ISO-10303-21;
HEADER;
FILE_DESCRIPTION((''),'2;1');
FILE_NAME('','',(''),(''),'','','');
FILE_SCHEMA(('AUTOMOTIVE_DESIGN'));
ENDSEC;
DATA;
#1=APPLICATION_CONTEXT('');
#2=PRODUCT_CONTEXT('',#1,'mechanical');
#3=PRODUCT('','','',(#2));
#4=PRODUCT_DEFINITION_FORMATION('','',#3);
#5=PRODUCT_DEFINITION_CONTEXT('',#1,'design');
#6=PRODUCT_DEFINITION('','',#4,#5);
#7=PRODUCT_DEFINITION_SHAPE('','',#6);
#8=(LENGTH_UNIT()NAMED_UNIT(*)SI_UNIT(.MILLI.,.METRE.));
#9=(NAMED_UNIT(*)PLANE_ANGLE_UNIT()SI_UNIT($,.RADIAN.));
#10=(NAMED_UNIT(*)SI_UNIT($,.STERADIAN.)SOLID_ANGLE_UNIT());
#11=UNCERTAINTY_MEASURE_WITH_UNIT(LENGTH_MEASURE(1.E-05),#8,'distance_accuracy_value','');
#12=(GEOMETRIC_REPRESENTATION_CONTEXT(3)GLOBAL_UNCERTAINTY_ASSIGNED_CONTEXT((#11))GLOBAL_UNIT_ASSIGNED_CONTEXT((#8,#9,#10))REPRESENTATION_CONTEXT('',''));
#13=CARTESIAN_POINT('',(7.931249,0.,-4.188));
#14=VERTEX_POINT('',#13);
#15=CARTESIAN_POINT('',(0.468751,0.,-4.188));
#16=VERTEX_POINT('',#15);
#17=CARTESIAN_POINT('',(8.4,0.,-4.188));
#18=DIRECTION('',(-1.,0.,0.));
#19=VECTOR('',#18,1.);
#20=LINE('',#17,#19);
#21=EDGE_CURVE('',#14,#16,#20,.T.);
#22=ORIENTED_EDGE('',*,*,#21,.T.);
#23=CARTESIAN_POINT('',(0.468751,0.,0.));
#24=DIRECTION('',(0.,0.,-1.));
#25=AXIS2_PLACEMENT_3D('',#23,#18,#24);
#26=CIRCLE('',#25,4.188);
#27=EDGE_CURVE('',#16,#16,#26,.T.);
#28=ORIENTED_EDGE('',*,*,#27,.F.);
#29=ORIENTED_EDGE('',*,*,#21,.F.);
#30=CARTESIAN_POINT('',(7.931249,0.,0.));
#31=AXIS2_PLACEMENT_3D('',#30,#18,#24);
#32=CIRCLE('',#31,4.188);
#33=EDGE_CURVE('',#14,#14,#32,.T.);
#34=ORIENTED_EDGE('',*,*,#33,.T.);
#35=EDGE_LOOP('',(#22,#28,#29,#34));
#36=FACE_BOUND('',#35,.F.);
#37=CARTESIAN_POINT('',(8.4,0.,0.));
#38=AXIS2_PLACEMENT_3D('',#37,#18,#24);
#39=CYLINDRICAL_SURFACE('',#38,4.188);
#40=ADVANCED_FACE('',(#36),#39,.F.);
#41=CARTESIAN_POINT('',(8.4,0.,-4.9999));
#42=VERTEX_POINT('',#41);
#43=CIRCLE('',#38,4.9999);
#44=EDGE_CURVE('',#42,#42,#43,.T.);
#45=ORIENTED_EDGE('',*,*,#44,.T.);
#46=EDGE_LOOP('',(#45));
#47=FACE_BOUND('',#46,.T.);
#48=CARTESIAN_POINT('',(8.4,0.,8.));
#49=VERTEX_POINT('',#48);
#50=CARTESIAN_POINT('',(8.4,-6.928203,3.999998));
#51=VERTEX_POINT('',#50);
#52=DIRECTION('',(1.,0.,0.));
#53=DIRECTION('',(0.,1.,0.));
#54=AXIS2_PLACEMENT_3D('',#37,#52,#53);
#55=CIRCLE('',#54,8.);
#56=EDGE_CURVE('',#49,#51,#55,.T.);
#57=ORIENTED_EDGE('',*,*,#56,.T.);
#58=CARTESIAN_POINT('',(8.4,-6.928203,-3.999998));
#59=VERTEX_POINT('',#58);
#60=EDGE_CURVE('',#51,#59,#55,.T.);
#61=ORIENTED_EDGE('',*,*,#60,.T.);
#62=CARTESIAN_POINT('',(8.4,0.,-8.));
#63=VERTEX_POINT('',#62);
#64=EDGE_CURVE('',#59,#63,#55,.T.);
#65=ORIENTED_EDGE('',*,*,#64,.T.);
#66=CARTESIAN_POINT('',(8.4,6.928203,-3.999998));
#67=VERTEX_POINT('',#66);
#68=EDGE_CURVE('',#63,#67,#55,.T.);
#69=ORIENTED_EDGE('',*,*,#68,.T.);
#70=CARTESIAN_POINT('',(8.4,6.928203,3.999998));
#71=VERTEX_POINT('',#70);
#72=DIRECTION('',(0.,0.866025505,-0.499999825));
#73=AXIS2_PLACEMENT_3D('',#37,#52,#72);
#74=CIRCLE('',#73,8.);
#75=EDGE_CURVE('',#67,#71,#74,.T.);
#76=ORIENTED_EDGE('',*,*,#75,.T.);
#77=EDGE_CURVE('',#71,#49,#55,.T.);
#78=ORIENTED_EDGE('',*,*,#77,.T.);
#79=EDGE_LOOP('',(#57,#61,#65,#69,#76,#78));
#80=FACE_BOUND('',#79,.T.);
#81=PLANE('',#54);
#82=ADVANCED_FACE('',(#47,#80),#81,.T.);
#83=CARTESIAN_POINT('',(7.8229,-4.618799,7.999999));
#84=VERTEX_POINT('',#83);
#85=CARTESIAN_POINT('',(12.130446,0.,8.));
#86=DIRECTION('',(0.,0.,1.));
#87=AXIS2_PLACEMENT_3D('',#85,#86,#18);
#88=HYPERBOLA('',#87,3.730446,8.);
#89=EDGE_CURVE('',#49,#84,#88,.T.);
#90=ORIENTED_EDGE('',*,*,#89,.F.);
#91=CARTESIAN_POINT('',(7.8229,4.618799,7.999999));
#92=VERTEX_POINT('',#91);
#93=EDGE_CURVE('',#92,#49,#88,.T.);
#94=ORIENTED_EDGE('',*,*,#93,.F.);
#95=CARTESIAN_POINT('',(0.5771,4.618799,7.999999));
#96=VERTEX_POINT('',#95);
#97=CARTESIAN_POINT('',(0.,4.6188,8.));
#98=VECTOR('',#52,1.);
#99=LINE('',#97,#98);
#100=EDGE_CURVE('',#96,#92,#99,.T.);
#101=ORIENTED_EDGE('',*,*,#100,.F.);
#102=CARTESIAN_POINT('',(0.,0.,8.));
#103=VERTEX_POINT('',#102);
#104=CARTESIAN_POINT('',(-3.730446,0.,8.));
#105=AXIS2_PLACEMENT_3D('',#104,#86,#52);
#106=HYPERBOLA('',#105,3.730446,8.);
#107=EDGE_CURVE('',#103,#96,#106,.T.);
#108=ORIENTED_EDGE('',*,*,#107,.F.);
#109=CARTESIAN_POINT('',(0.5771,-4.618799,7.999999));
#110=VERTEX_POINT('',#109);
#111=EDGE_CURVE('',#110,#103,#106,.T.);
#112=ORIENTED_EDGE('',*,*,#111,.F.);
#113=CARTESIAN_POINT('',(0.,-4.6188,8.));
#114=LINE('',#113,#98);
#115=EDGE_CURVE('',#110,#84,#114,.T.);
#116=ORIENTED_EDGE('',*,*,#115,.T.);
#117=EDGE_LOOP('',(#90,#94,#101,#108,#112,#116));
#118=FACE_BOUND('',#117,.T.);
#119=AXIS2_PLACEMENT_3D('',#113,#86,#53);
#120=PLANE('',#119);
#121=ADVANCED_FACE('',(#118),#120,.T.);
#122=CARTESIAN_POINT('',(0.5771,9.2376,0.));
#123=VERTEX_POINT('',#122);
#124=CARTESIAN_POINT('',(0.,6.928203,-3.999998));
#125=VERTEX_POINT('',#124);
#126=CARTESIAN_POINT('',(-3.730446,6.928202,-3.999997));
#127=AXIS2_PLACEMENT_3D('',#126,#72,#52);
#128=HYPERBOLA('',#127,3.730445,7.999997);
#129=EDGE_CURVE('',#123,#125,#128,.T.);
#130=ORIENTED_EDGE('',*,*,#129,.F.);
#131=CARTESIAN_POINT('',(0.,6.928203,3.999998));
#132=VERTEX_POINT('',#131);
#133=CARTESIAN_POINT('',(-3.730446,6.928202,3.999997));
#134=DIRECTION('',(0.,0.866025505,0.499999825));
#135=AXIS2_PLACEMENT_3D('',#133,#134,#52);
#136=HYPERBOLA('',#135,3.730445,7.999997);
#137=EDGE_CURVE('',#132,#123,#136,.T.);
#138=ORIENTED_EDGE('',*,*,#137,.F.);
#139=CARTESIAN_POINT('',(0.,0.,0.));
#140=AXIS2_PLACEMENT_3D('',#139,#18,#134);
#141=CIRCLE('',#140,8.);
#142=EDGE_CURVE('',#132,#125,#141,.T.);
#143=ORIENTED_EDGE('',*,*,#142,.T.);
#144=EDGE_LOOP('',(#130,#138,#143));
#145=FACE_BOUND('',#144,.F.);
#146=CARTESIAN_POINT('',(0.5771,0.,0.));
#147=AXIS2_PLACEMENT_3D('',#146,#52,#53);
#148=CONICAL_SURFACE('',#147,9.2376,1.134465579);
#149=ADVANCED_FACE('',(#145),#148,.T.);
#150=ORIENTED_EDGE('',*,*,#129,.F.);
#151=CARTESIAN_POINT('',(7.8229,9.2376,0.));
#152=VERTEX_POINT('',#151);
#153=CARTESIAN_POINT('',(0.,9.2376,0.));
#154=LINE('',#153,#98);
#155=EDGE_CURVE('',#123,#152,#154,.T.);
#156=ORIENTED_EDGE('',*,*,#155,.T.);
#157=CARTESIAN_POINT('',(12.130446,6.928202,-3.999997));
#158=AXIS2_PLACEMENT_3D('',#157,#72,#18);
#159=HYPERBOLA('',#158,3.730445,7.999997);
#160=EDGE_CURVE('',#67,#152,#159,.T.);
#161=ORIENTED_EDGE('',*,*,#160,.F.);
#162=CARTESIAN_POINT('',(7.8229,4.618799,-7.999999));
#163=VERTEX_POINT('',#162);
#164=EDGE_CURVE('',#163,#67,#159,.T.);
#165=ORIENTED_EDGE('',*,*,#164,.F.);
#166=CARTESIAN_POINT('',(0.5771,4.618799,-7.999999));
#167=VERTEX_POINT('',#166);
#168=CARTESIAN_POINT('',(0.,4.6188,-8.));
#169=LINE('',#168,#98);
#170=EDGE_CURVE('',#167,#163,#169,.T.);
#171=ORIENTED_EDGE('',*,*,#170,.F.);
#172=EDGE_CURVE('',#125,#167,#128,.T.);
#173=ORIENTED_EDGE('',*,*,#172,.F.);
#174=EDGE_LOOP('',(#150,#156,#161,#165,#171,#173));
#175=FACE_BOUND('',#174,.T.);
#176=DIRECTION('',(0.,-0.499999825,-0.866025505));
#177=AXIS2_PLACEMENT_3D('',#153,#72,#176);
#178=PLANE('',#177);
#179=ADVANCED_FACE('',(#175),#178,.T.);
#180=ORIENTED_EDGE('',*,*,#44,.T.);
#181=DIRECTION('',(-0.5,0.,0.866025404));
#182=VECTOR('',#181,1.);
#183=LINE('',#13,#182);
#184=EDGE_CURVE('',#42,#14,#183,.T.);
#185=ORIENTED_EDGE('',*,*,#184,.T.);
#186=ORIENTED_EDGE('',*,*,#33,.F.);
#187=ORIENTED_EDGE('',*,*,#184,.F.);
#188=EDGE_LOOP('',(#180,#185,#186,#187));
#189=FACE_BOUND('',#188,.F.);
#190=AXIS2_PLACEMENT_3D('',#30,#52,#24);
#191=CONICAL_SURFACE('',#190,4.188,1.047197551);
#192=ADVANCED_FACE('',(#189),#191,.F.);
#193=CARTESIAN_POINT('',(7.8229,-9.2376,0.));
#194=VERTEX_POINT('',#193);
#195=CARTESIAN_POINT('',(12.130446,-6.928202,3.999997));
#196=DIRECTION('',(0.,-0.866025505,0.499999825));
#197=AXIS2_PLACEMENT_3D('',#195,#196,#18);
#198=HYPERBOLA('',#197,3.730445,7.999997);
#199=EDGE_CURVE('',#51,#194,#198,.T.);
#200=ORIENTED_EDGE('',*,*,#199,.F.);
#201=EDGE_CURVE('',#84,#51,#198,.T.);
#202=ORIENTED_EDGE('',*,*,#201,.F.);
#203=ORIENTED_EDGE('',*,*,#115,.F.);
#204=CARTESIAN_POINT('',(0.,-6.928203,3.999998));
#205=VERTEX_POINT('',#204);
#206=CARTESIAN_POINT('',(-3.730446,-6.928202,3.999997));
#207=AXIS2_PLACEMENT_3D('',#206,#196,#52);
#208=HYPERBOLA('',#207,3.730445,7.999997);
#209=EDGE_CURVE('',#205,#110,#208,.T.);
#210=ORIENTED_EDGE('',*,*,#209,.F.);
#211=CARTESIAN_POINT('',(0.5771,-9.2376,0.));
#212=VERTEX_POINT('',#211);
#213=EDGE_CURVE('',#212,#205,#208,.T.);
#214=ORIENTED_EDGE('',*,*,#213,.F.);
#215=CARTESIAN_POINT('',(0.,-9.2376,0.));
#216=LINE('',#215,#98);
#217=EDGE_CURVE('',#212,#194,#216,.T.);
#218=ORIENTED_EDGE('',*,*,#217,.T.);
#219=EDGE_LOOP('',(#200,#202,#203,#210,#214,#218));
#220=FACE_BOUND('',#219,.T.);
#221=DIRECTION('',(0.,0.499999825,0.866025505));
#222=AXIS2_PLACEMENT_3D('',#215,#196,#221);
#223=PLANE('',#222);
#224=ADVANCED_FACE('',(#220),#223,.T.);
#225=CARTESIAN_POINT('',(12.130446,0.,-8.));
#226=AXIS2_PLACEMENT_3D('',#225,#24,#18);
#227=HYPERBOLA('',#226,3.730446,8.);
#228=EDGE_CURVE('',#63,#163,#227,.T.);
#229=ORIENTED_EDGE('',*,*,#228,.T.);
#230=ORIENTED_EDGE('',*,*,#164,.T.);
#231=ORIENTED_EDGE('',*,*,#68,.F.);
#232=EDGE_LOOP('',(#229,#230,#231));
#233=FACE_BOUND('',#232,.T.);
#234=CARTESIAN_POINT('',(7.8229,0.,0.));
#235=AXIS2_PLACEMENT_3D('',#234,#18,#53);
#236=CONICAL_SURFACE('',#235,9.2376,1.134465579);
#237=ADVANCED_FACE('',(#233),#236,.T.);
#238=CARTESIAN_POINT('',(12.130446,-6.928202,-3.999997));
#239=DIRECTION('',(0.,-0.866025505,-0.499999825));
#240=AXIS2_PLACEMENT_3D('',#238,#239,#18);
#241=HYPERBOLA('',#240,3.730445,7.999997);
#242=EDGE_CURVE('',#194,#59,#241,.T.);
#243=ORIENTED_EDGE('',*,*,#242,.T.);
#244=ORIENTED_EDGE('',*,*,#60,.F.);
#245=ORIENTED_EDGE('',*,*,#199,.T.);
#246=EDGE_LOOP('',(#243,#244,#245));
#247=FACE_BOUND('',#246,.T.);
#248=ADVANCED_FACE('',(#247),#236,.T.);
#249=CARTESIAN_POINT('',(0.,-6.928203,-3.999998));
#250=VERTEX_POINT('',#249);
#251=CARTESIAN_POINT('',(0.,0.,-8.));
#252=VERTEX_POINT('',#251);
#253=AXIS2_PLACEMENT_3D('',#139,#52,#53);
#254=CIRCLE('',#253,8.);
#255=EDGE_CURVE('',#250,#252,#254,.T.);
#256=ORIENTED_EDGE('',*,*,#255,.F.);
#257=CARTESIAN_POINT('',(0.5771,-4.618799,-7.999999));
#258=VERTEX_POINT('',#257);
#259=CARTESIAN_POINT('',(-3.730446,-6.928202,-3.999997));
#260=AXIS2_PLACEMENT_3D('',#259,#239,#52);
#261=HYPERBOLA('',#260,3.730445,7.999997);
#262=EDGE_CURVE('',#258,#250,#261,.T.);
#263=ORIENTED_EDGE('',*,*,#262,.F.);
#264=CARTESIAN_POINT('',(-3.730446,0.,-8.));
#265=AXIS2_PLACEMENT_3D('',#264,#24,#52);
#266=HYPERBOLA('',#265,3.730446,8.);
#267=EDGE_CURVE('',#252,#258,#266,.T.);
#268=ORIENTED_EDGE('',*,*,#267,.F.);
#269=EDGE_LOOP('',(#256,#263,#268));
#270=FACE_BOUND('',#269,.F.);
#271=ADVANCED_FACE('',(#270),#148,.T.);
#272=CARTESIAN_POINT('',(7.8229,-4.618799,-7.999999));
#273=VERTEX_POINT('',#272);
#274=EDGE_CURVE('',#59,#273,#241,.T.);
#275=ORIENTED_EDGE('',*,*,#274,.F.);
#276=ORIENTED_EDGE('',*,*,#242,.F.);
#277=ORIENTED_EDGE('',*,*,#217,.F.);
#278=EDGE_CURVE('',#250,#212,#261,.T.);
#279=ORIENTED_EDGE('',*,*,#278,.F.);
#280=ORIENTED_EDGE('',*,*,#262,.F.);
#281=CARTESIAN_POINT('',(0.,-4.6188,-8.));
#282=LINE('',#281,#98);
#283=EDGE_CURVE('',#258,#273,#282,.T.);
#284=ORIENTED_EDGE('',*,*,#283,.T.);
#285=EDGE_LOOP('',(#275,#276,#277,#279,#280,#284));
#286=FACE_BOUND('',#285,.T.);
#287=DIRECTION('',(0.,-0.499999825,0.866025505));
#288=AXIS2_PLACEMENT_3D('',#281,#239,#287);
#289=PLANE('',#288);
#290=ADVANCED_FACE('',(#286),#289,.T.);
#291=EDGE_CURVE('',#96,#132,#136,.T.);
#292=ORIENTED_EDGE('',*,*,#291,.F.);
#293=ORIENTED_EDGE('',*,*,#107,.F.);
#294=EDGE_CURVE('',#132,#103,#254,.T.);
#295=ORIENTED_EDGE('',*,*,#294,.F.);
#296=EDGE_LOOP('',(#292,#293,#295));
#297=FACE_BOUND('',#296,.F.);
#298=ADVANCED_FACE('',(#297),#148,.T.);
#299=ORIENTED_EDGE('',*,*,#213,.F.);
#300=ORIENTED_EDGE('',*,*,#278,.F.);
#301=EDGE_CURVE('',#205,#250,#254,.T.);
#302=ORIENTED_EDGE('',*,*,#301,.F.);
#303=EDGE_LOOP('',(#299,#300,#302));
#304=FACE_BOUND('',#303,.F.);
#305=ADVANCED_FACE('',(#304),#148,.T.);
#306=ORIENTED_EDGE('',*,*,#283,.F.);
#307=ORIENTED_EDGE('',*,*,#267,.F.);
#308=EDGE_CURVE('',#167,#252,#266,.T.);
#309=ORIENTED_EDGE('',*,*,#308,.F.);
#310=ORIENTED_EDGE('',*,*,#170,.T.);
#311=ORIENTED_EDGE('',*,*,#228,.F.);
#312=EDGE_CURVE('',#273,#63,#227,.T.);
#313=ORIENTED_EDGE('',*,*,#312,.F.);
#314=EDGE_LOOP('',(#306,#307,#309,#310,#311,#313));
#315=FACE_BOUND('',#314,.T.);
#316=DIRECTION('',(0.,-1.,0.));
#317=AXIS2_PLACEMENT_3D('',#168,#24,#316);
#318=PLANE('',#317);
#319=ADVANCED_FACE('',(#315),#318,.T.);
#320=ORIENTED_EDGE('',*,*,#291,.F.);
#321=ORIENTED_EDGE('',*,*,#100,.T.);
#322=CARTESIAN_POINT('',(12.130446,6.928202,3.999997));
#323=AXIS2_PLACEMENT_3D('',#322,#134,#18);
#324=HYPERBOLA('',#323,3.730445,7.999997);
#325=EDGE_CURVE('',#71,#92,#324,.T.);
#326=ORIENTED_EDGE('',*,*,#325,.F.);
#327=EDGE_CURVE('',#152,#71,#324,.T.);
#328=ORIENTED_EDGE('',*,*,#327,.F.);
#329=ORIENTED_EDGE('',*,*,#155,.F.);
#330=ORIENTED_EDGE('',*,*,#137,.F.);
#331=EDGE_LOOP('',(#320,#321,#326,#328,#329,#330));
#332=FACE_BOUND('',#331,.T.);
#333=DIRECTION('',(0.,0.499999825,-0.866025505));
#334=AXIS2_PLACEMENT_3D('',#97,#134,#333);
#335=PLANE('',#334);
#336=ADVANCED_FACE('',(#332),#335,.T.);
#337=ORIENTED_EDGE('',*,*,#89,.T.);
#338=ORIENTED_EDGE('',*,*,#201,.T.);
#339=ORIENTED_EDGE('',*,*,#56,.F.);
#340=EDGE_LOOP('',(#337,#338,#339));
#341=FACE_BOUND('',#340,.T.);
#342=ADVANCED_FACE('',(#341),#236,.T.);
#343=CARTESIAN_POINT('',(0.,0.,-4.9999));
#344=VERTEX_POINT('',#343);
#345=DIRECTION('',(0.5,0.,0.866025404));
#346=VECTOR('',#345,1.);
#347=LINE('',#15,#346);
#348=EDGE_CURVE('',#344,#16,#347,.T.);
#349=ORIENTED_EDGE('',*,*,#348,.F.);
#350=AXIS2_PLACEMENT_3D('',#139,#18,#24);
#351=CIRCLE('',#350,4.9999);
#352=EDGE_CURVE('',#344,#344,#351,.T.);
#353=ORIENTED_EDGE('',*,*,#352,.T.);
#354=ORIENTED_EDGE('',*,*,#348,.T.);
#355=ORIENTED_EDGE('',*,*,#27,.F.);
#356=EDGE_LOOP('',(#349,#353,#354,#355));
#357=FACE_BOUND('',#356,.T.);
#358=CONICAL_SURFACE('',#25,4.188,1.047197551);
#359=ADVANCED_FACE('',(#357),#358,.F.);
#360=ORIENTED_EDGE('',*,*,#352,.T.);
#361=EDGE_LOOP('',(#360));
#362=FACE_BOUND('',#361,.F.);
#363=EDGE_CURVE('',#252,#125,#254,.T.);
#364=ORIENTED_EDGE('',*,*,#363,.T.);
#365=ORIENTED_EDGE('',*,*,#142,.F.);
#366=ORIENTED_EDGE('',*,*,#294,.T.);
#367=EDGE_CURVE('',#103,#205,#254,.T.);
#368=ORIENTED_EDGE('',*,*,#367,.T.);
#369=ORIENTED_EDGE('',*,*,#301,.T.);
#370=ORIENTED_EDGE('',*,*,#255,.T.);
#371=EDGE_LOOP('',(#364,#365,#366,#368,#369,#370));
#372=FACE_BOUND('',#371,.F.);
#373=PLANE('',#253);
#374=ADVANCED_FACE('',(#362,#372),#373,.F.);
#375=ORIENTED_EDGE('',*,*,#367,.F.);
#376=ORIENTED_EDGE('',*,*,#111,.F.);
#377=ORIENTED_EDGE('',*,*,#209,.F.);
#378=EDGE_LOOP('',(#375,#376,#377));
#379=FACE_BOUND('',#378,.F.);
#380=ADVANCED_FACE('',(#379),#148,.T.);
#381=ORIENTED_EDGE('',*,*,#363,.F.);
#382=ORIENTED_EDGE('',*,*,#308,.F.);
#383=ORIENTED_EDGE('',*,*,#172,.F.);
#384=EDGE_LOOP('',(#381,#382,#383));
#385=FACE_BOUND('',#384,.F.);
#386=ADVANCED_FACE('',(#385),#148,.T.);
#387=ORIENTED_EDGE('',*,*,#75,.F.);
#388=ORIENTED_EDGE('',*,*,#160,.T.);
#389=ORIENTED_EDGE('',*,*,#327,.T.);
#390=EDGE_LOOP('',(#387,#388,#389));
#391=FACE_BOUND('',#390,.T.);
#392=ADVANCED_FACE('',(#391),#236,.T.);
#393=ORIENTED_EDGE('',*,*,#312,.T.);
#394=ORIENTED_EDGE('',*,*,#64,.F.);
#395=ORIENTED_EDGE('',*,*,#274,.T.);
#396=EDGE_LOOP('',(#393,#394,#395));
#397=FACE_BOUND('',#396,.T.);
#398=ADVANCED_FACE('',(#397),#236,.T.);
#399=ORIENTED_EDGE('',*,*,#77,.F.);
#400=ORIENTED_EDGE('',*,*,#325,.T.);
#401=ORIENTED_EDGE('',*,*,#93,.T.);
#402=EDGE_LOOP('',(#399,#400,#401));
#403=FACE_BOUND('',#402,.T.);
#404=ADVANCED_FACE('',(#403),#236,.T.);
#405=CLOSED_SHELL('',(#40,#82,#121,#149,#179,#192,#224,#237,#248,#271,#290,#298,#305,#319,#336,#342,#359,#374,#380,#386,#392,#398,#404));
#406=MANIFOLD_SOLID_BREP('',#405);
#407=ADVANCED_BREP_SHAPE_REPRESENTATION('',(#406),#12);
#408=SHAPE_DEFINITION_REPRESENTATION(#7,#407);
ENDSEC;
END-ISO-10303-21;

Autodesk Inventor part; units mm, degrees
ref_plane "YZ Plane" through (0, 0, 0) normal (1, 0, 0) x (0, 1, 0)
ref_plane "XZ Plane" through (0, 0, 0) normal (0, 1, 0) x (-1, 0, 0)
sketch "Эскиз1" plane through (0, 0, 0) normal (1, 0, 0) x (0, 1, 0)
  line L0 (-9.2376, 0) -> (-4.6188, 8)
  line L1 (-4.6188, 8) -> (4.6188, 8)
  line L2 (4.6188, 8) -> (9.2376, 0)
  line L3 (9.2376, 0) -> (4.6188, -8)
  line L4 (4.6188, -8) -> (-4.6188, -8)
  line L5 (-4.6188, -8) -> (-9.2376, 0)
  point P0 (0, 0)
  point P1 (0, 0)
  dimension "d0" = 18.4752
extrude "Базовый элемент" add sketch "Эскиз1" along normal blind 8.4
sketch "Эскиз2" plane through (0, 0, 0) normal (0, 0, 1) x (1, 0, 0)
  line L0 (0, 4.6188) -> (0, 9.2376) projected
  line L1 (0, 9.2376) -> (8.4, 9.2376) projected
  line L2 (8.4, 4.6188) -> (8.4, 9.2376) projected
  line L3 (-1.68, 0) -> (10.08, 0) projected
  line L4 (0.5771, 9.2376) -> (0, 8)
  line L5 (7.8229, 9.2376) -> (8.4, 8)
  dimension "d3" = 25
  dimension "d4" = 25
  dimension "d5" = 16
  dimension "d6" = 16
revolve "Фаска1" cut sketch "Эскиз2" angle 360 about axis through (-10, 0, 0) along (1, 0, 0)
sketch "Эскиз3" plane through (8.4, 0, 0) normal (1, 0, 0) x (0, 0, -1)
  arc A0 (-4, -6.9282) -> (4, -6.9282) centre (0, 0) ccw projected
hole "Резьба" at (8.4, 0, 0) direction (-1, 0, 0) diameter 8.376 end through all thread size "M10x1.5" class "6H" standard "ANSI Metric M Profile"
chamfer "Фаска2" distance 0.8119 angle 30 1 edges at (8.4, 0, 4.188) measured on face at (8.4, 6.6899, -0.1683)
chamfer "Фаска3" distance 0.8119 angle 30 1 edges at (0, 0, 4.188) measured on face at (0, 6.6899, -0.1683)
ref_plane "Work Plane1" through (-17.4436, 0, 0) normal (0, -0.866, -0.5) x (1, 0, 0)
equation "\"d0\" = 1.1547 * SW"
equation "\"d1\" = KOH"
equation "\"d3\" = ANG1"
equation "\"d4\" = ANG2"
equation "\"d5\" = SW0"
equation "\"d6\" = SW01"
equation "\"d8\" = -0.5 * GD1 + 0.5 * NND"
equation "\"d40\" = -0.5 * GD1 + 0.5 * NND"
equation "\"d10\" = -0.5 * GD1 + 0.5 * NND"
equation "\"d41\" = -0.5 * GD1 + 0.5 * NND"
equation "\"ANG1\" = 25deg"
equation "\"ANG2\" = 25deg"
equation "\"KOH\" = 8.4"
equation "\"SW\" = 16"
equation "\"SW0\" = SW"
equation "\"SW01\" = SW"
equation "\"GUL\" = 0.541266 * PTC"
equation "\"TOA\" = 30deg"
equation "\"PTC\" = 1.5"
equation "\"E0\" = 1.155 * SW"
equation "\"GAL\" = 0.541266 * PTC"
equation "\"SD2\" = 0"
equation "\"WFT\" = 0"
equation "\"GD1\" = 8.376202"
equation "\"NND\" = 10"
properties part number "ANSI B 18.2.4.1 M - M10 x 1,5" material "Сталь, мягкая"
